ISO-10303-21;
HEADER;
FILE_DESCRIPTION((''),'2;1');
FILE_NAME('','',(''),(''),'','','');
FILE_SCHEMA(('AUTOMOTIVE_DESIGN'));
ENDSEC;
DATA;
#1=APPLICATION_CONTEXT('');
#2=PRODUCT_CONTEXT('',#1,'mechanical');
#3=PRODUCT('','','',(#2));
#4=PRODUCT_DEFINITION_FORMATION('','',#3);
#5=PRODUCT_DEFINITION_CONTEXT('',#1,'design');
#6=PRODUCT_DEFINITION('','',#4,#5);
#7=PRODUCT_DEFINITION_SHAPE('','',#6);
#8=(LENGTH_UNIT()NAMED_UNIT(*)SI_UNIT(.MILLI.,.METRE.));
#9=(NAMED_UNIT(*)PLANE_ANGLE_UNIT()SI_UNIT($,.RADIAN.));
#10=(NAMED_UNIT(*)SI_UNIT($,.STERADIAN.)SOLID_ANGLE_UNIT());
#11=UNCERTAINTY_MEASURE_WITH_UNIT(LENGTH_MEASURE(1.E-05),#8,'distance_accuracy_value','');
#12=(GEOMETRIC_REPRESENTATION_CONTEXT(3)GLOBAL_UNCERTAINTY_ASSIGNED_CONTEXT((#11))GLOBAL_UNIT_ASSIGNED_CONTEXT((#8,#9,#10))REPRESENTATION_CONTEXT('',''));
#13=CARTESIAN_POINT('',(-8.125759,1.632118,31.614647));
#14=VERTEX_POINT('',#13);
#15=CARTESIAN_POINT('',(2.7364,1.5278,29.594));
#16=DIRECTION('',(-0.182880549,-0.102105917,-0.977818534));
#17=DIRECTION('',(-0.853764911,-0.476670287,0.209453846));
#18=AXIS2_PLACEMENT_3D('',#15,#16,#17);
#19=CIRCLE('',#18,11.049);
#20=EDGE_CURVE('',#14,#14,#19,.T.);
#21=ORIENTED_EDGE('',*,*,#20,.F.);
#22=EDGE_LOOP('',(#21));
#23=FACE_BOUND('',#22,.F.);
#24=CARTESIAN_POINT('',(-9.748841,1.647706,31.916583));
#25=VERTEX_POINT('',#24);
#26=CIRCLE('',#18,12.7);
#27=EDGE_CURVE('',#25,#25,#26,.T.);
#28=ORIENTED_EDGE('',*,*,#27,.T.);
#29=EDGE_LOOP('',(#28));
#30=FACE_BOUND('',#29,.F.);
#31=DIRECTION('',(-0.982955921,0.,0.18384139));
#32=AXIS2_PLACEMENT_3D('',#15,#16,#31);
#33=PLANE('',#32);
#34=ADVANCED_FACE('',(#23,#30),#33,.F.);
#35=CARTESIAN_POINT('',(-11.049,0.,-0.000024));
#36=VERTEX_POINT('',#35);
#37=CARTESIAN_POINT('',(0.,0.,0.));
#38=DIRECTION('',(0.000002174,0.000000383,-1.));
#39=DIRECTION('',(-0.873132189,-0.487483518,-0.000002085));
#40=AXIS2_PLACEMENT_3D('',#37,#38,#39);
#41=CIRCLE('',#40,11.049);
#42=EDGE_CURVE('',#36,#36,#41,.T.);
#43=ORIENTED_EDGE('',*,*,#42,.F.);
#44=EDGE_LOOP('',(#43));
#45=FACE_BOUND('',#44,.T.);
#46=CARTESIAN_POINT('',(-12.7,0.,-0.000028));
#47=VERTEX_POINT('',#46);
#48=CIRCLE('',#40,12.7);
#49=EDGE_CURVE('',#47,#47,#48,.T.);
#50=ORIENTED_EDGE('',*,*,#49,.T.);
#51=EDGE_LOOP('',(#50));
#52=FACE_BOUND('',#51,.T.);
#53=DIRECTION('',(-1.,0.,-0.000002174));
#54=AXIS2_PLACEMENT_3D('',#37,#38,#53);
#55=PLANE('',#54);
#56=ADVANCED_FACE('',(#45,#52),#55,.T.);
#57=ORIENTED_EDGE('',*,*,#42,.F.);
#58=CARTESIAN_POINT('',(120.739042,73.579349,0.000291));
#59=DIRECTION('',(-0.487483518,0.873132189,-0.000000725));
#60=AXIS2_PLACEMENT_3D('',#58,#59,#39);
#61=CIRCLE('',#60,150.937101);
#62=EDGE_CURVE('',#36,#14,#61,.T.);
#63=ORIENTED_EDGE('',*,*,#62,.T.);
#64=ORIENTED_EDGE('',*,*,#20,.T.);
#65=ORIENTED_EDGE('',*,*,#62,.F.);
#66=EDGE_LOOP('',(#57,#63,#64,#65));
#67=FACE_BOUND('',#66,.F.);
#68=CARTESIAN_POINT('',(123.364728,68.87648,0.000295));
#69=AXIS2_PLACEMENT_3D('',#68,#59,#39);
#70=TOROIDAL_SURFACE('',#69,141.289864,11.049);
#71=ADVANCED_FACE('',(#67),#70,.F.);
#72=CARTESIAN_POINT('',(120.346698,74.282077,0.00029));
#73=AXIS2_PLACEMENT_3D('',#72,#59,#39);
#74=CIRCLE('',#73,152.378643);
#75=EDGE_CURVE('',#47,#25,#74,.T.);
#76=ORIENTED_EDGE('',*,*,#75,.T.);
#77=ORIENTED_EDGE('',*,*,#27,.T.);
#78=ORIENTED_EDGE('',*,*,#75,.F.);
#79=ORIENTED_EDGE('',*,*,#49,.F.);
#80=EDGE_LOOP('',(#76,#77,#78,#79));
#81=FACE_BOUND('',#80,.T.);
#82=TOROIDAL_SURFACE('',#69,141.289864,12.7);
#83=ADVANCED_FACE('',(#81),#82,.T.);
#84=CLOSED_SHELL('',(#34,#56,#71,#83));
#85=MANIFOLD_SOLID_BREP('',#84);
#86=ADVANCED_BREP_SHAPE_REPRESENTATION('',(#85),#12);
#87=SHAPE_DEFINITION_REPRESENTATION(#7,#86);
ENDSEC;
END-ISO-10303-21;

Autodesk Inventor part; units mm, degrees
sketch "Sketch" plane through (0, 0, 0) normal (0, 0, -1) x (-1, 0, 0)
  circle A0 centre (0, 0) radius 12.7
  circle A1 centre (0, 0) radius 11.049
  dimension "d0" = 25.4
  dimension "d1" = 1.651
ref_plane "Start Plane" through (0, 0, 0) normal (1, 0, 0) x (0, 1, 0)
ref_plane "End Plane" through (29.8148, 0, 0) normal (1, 0, 0) x (0, 1, 0)
sketch "Sketch2" plane through (0, 0, 0) normal (1, 0, 0) x (0, 1, 0)
  line L0 (0, 0) -> (10, 0)
ref_plane "Work Plane3" through (0, 0, 0) normal (0, 0, -1) x (0, 1, 0)
sketch "Sketch3" plane through (0, 0, 0) normal (0, 0, -1) x (0, 1, 0)
  line L0 (-2, 0) -> (12, 0)
  line L1 (-18.0723, 29.8148) -> (19.5337, 29.8148)
  dimension "d9" = 29.8148
ref_plane "Orientation Work Plane" through (0, 0, 0) normal (0, 0, -1) x (-1, 0, 0)
sketch3d "Sweep Path"
  arc A0 (0, 0, 0) -> (2.7364, 1.5278, 29.594) centre (123.3696, 68.8792, 0) ccw
sweep "Body" add profiles "Sketch" path "Sweep Path"
equation "\"G_OFFSET_START\" = 0"
equation "\"G_OFFSET_END\" = 0"
equation "\"d5\" = d2 + G_OFFSET_END"
equation "\"G_L\" = d9"
equation "\"d2\" = 29.814793"
properties part number "4130_1x0.065" material "Steel, Alloy"
